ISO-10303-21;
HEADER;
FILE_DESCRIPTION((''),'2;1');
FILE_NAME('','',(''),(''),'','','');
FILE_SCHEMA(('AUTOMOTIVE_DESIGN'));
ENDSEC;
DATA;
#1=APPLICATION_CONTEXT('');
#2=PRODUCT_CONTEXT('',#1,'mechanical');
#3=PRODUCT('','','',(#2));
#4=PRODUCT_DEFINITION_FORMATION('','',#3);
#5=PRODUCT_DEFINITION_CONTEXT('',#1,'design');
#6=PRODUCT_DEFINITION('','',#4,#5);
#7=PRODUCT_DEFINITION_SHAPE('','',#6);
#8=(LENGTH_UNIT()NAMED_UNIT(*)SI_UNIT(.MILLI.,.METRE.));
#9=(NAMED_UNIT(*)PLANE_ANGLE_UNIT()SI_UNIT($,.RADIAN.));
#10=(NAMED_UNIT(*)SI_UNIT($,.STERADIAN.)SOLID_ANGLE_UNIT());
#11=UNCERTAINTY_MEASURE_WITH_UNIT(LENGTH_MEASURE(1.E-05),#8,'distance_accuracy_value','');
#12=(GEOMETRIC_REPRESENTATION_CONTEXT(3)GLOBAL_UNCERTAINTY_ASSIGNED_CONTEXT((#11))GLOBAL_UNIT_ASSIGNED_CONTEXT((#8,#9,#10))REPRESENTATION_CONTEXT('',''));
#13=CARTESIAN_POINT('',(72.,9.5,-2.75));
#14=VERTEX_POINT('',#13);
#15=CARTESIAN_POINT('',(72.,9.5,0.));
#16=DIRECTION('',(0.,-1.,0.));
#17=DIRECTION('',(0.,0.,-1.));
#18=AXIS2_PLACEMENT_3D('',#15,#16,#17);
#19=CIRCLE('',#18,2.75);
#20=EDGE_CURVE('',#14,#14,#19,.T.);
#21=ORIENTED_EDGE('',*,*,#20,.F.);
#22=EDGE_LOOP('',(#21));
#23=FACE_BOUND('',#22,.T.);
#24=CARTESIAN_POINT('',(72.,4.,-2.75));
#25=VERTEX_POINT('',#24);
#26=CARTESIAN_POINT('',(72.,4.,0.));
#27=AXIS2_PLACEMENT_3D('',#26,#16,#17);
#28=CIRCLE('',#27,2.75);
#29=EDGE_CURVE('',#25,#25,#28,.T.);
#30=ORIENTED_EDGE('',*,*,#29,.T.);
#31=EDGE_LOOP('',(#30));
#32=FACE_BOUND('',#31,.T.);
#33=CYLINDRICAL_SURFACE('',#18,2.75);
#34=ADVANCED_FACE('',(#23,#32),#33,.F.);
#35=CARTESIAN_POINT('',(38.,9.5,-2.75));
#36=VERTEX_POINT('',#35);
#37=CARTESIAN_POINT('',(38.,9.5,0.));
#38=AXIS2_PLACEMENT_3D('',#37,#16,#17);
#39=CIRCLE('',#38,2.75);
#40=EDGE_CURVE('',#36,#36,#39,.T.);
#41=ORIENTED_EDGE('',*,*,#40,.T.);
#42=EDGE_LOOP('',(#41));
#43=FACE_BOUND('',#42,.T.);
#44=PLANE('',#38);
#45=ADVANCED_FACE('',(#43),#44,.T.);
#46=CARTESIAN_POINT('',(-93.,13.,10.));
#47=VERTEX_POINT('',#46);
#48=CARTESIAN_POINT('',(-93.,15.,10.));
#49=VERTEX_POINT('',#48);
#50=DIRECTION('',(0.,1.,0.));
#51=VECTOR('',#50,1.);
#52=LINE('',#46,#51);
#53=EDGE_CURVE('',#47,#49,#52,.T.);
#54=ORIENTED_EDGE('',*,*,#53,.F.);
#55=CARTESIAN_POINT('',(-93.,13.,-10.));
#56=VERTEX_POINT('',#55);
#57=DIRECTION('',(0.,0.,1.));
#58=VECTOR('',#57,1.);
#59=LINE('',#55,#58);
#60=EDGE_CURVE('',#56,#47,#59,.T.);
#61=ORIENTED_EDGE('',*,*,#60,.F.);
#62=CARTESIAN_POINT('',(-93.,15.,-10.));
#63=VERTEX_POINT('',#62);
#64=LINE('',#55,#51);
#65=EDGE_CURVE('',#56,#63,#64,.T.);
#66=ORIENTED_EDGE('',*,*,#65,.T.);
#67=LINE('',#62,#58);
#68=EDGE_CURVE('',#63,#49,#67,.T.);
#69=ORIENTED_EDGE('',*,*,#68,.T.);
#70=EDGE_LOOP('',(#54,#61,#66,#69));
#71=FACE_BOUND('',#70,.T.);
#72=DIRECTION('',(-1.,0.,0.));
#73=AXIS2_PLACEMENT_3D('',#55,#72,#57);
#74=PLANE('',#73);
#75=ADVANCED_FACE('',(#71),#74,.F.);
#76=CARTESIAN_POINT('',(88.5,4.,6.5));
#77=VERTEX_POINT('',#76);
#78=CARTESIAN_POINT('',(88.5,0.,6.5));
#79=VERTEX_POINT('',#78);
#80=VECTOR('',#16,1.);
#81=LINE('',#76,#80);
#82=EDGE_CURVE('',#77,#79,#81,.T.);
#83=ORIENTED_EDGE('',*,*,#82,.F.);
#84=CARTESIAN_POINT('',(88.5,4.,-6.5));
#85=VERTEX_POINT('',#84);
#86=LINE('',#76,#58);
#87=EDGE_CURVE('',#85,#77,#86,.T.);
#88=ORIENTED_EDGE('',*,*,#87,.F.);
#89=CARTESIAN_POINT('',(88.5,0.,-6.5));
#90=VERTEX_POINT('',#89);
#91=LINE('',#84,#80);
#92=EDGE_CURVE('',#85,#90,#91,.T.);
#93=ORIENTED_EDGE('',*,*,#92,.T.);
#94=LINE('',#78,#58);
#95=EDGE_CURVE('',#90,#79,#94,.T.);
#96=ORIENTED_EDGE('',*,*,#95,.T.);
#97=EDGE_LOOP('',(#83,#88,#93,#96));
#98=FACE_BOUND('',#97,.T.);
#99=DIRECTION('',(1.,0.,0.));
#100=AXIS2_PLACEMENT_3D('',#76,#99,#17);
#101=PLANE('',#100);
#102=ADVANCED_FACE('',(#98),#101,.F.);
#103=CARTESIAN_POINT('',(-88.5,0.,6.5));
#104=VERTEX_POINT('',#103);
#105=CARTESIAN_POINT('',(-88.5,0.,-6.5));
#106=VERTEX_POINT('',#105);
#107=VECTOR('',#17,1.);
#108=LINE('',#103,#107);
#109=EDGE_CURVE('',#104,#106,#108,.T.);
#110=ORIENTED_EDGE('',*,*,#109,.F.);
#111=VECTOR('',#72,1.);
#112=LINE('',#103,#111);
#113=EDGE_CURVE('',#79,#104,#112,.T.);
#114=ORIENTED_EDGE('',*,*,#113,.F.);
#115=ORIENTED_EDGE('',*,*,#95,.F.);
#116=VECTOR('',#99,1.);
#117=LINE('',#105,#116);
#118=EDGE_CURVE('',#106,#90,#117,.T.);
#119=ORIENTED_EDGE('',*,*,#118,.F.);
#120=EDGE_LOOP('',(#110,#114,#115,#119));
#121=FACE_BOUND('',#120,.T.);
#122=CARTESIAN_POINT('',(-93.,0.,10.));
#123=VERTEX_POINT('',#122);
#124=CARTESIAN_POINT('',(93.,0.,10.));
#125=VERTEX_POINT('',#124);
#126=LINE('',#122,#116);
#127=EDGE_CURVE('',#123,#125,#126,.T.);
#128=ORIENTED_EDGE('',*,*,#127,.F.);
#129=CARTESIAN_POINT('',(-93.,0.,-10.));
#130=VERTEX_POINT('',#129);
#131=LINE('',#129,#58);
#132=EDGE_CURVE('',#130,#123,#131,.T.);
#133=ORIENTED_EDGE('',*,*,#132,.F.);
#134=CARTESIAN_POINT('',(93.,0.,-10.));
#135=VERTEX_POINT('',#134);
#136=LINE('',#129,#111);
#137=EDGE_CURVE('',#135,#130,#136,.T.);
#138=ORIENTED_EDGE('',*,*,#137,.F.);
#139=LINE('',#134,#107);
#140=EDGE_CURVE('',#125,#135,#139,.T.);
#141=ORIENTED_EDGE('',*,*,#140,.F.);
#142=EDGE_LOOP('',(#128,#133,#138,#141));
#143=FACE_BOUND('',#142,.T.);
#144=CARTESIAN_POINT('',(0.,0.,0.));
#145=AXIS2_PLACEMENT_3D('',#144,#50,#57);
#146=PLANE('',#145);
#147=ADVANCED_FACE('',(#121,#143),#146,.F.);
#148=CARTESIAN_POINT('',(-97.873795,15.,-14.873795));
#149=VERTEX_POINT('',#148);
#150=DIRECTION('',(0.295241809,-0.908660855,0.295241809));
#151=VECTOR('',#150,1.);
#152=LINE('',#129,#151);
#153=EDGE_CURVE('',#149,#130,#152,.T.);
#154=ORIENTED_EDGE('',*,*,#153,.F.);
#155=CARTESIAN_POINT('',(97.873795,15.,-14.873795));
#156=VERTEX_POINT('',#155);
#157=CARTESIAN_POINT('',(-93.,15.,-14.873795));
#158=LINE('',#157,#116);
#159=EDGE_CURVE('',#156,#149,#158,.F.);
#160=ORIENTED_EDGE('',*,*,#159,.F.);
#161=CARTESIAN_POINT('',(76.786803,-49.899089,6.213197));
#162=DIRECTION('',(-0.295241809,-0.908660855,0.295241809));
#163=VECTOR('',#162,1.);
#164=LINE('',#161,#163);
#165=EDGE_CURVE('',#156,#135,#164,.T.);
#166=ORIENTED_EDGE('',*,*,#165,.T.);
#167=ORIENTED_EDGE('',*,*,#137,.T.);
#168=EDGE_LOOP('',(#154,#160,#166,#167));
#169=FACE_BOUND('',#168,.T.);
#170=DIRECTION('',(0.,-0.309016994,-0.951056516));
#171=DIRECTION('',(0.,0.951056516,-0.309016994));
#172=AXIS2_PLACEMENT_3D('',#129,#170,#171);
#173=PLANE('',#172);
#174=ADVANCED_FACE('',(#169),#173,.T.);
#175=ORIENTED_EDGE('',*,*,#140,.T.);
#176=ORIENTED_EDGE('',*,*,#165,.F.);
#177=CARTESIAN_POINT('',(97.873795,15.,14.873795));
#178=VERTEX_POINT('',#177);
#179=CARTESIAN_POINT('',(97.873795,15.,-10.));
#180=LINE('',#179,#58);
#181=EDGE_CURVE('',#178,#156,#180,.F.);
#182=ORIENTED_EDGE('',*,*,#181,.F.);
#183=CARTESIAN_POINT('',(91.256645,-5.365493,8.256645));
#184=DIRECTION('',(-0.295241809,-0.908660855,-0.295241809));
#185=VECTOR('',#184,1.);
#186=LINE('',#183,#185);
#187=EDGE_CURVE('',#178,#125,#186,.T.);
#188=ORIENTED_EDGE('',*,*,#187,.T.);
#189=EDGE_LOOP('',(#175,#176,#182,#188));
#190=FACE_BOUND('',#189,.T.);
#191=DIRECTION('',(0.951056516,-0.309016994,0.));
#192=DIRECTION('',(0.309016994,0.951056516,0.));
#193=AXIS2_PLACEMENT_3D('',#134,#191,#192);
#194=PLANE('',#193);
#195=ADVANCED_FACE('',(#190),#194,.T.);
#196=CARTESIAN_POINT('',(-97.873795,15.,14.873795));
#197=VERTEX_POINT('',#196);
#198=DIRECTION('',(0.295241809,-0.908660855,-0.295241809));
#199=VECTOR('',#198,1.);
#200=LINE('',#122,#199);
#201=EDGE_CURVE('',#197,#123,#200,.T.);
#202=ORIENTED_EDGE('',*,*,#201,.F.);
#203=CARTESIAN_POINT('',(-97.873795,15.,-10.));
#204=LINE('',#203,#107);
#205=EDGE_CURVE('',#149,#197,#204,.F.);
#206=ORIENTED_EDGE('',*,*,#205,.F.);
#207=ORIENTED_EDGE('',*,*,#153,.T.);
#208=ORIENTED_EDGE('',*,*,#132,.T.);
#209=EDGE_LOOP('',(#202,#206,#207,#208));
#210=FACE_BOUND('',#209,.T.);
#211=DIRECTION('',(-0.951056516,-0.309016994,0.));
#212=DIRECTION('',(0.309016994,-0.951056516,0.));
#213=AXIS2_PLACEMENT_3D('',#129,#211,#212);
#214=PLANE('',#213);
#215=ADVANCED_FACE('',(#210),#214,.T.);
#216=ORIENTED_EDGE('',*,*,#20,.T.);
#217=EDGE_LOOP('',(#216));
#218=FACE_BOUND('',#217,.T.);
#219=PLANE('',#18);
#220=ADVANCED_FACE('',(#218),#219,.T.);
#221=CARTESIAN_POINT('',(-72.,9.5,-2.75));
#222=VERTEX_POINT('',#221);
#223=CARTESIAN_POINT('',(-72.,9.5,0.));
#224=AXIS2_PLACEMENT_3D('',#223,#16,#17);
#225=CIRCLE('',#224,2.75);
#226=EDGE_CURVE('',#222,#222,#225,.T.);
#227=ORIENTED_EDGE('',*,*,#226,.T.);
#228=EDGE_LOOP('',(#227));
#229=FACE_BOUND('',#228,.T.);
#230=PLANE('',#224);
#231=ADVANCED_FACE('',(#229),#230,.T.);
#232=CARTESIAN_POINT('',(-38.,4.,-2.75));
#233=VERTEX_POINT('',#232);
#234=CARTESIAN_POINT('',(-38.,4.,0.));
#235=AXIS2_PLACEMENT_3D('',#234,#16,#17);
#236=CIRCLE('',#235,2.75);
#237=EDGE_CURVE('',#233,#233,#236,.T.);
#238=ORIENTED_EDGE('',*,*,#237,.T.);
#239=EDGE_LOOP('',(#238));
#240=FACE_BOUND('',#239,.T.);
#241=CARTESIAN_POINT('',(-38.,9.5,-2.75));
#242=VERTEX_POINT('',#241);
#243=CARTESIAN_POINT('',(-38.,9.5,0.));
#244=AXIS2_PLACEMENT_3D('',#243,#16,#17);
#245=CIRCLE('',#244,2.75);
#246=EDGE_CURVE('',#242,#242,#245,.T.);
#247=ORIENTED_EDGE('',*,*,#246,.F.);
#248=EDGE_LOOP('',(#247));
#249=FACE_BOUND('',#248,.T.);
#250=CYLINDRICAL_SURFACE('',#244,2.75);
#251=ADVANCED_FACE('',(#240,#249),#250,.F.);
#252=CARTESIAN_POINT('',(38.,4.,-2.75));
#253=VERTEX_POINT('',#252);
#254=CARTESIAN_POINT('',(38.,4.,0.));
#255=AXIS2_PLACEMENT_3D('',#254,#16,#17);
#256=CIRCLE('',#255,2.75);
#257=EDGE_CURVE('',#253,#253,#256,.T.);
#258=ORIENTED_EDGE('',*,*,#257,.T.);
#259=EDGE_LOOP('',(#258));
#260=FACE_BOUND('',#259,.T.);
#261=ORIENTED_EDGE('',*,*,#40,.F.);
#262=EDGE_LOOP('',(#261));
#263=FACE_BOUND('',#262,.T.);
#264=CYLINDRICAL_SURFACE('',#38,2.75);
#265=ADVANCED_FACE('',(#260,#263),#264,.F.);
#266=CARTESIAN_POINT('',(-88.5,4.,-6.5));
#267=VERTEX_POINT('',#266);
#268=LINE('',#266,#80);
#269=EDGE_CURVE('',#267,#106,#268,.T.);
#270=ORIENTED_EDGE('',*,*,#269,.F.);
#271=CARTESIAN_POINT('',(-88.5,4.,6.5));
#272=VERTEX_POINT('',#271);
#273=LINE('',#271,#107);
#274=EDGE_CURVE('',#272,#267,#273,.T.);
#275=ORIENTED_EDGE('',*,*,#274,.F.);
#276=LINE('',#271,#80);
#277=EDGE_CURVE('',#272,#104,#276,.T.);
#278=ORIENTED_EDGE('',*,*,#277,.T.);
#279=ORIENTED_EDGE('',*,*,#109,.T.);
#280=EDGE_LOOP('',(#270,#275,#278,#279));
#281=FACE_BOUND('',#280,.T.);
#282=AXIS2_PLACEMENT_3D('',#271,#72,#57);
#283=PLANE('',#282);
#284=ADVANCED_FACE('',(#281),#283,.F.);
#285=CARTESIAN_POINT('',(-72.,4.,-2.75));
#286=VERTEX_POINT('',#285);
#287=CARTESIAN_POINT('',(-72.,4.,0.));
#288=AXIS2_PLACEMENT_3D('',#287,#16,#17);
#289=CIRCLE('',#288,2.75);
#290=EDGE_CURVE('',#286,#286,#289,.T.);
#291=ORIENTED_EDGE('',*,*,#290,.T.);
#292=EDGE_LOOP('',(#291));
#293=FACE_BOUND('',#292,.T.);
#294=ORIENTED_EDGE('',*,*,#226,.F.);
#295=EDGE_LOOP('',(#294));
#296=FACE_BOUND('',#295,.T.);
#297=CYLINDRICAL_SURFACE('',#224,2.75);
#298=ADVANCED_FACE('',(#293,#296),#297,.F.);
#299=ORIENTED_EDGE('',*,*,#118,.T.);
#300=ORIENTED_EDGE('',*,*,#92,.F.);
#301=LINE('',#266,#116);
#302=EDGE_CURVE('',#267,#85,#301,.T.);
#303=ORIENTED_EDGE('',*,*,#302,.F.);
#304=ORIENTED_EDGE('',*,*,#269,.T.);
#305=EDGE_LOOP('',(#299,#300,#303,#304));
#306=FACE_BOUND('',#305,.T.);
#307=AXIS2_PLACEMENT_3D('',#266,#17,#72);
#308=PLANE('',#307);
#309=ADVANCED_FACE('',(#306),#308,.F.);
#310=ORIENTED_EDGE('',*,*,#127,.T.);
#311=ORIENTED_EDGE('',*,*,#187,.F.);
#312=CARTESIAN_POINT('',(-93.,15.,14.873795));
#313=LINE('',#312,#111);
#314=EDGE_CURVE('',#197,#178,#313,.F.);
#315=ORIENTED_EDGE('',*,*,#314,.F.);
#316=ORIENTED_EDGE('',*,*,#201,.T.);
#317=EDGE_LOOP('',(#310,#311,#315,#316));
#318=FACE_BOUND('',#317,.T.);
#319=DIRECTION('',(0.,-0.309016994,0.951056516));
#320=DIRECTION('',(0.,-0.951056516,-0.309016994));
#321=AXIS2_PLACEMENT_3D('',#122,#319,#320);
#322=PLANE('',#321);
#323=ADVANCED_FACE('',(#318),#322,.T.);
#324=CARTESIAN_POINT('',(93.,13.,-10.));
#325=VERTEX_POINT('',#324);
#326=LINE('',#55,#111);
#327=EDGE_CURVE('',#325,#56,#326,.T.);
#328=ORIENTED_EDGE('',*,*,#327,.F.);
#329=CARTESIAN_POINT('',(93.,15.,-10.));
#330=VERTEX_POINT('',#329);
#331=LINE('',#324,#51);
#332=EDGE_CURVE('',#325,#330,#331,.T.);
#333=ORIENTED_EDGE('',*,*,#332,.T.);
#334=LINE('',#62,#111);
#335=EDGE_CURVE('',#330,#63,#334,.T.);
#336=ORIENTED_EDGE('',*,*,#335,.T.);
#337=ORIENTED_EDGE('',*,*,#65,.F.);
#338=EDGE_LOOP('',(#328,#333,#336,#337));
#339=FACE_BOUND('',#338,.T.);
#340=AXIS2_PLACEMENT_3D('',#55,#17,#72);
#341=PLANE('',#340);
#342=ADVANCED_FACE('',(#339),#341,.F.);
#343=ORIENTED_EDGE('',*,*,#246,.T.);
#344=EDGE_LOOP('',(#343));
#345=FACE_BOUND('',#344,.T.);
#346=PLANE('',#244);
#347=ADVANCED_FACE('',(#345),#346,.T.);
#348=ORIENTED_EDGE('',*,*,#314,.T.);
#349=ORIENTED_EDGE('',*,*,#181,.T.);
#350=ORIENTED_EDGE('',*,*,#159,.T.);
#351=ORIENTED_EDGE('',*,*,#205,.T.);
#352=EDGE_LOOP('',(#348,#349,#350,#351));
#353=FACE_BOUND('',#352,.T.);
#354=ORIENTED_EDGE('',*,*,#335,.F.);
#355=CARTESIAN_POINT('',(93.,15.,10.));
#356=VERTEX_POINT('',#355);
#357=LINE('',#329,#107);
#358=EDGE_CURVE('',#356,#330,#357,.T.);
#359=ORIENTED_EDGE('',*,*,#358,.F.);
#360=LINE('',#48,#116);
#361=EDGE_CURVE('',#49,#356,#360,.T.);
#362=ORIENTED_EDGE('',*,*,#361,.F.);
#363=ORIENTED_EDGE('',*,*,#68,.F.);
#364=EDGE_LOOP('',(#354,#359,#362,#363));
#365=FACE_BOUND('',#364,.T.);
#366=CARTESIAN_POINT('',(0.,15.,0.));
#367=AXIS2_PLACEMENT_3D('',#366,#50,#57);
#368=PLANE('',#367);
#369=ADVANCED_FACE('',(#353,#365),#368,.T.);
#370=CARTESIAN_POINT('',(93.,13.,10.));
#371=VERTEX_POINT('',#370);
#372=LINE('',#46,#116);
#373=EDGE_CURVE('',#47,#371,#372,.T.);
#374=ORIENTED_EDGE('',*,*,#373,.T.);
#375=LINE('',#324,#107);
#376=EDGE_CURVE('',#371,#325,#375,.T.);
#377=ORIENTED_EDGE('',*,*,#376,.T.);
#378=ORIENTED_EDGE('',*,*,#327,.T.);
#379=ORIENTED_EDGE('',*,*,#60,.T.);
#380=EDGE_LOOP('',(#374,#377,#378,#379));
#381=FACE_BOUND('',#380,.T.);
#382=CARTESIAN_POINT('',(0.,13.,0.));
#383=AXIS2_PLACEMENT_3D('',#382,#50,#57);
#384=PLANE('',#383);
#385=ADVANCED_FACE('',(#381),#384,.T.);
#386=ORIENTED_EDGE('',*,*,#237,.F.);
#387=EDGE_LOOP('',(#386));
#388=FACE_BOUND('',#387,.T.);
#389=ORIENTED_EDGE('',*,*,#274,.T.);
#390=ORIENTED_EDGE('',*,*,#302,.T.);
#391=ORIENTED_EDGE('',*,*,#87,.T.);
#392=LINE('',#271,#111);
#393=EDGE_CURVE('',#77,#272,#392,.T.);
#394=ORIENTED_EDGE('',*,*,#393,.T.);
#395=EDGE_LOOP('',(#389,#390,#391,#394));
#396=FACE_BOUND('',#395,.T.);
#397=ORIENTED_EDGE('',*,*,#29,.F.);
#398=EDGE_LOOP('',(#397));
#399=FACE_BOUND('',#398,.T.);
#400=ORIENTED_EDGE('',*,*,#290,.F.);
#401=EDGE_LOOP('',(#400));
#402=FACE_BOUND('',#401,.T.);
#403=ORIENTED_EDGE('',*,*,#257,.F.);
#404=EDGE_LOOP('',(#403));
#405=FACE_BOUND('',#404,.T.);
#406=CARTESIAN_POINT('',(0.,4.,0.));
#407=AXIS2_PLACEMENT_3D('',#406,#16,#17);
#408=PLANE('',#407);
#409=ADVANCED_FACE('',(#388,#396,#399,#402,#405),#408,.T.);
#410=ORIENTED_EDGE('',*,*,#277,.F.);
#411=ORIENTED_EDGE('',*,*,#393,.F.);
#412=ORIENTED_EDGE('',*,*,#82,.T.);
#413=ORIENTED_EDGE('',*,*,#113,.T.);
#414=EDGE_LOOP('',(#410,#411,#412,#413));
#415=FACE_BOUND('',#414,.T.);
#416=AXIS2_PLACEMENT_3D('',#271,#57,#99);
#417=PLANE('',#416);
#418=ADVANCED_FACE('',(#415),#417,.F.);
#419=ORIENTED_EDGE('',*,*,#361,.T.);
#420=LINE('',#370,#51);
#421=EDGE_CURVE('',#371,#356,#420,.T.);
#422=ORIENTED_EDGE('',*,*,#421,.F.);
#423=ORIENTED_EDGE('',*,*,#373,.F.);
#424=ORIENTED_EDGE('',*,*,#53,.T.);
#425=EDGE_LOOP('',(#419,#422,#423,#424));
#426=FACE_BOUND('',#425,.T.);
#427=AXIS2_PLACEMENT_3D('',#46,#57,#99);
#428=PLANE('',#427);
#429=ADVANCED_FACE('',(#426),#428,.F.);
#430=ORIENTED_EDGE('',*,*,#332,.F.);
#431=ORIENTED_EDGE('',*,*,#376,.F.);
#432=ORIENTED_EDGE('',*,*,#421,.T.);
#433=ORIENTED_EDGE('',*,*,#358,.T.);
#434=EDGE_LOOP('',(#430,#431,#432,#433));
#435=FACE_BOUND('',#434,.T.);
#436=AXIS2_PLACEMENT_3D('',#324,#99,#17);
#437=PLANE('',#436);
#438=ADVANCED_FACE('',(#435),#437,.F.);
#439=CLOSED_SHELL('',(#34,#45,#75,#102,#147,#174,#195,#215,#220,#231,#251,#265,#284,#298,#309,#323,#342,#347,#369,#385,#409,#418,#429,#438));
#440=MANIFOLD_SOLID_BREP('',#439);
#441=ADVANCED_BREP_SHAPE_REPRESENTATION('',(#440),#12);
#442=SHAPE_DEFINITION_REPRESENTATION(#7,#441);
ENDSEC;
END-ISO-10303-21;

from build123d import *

# Parameters (mm, degrees)
SKETCH_1_W          = 186
SKETCH_1_H          = 20
EXTRUDE_1_DEPTH     = 15
EXTRUDE_1_DRAFT     = -18
SKETCH_2_W          = 186
SKETCH_2_H          = 20
CUT_EXTRUDE_2_DEPTH = 2
SKETCH_3_W          = 177
SKETCH_3_H          = 13
CUT_EXTRUDE_3_DEPTH = 4
SKETCH_4_R          = 2.75
CUT_EXTRUDE_6_DEPTH = 5.5


with BuildPart() as part:
    # 草图1 → 凸台-拉伸1 (with draft: the straight prism first)
    with BuildSketch(Plane(origin=(0, 0, 0), x_dir=(1, 0, 0), z_dir=(0, 1, 0))):
        Rectangle(SKETCH_1_W, SKETCH_1_H)
    extrude(amount=EXTRUDE_1_DEPTH)
    # 凸台-拉伸1: the draft: its side faces are tilted about the plane it starts from
    extrude_1_sides = [part.faces().sort_by_distance(p)[0] for p in [
        (-93, 7.5, 0),
        (0, 7.5, 10),
        (93, 7.5, 0),
        (0, 7.5, -10),
    ]]
    draft(extrude_1_sides, Plane(origin=(0, 0, 0), x_dir=(1, 0, 0), z_dir=(0, 1, 0)), EXTRUDE_1_DRAFT)

    # 草图2 → 切除-拉伸2 (cut)
    with BuildSketch(Plane(origin=(0, 15, 0), x_dir=(1, 0, 0), z_dir=(0, 1, 0))):
        Rectangle(SKETCH_2_W, SKETCH_2_H)
    extrude(amount=-CUT_EXTRUDE_2_DEPTH, mode=Mode.SUBTRACT)

    # 草图3 → 切除-拉伸3 (cut)
    with BuildSketch(Plane.XZ):
        Rectangle(SKETCH_3_W, SKETCH_3_H)
    extrude(amount=-CUT_EXTRUDE_3_DEPTH, mode=Mode.SUBTRACT)

    # 草图4 → 切除-拉伸6 (cut)
    with BuildSketch(Plane.XZ.offset(-4)):
        with Locations(Location((-72, 0, 0), (0, 0, 270))):
            Circle(SKETCH_4_R)
        with Locations(Location((-38, 0, 0), (0, 0, 270))):
            Circle(SKETCH_4_R)
        with Locations(Location((38, 0, 0), (0, 0, 270))):
            Circle(SKETCH_4_R)
        with Locations(Location((72, 0, 0), (0, 0, 270))):
            Circle(SKETCH_4_R)
    extrude(amount=-CUT_EXTRUDE_6_DEPTH, mode=Mode.SUBTRACT)


solid = part.part
